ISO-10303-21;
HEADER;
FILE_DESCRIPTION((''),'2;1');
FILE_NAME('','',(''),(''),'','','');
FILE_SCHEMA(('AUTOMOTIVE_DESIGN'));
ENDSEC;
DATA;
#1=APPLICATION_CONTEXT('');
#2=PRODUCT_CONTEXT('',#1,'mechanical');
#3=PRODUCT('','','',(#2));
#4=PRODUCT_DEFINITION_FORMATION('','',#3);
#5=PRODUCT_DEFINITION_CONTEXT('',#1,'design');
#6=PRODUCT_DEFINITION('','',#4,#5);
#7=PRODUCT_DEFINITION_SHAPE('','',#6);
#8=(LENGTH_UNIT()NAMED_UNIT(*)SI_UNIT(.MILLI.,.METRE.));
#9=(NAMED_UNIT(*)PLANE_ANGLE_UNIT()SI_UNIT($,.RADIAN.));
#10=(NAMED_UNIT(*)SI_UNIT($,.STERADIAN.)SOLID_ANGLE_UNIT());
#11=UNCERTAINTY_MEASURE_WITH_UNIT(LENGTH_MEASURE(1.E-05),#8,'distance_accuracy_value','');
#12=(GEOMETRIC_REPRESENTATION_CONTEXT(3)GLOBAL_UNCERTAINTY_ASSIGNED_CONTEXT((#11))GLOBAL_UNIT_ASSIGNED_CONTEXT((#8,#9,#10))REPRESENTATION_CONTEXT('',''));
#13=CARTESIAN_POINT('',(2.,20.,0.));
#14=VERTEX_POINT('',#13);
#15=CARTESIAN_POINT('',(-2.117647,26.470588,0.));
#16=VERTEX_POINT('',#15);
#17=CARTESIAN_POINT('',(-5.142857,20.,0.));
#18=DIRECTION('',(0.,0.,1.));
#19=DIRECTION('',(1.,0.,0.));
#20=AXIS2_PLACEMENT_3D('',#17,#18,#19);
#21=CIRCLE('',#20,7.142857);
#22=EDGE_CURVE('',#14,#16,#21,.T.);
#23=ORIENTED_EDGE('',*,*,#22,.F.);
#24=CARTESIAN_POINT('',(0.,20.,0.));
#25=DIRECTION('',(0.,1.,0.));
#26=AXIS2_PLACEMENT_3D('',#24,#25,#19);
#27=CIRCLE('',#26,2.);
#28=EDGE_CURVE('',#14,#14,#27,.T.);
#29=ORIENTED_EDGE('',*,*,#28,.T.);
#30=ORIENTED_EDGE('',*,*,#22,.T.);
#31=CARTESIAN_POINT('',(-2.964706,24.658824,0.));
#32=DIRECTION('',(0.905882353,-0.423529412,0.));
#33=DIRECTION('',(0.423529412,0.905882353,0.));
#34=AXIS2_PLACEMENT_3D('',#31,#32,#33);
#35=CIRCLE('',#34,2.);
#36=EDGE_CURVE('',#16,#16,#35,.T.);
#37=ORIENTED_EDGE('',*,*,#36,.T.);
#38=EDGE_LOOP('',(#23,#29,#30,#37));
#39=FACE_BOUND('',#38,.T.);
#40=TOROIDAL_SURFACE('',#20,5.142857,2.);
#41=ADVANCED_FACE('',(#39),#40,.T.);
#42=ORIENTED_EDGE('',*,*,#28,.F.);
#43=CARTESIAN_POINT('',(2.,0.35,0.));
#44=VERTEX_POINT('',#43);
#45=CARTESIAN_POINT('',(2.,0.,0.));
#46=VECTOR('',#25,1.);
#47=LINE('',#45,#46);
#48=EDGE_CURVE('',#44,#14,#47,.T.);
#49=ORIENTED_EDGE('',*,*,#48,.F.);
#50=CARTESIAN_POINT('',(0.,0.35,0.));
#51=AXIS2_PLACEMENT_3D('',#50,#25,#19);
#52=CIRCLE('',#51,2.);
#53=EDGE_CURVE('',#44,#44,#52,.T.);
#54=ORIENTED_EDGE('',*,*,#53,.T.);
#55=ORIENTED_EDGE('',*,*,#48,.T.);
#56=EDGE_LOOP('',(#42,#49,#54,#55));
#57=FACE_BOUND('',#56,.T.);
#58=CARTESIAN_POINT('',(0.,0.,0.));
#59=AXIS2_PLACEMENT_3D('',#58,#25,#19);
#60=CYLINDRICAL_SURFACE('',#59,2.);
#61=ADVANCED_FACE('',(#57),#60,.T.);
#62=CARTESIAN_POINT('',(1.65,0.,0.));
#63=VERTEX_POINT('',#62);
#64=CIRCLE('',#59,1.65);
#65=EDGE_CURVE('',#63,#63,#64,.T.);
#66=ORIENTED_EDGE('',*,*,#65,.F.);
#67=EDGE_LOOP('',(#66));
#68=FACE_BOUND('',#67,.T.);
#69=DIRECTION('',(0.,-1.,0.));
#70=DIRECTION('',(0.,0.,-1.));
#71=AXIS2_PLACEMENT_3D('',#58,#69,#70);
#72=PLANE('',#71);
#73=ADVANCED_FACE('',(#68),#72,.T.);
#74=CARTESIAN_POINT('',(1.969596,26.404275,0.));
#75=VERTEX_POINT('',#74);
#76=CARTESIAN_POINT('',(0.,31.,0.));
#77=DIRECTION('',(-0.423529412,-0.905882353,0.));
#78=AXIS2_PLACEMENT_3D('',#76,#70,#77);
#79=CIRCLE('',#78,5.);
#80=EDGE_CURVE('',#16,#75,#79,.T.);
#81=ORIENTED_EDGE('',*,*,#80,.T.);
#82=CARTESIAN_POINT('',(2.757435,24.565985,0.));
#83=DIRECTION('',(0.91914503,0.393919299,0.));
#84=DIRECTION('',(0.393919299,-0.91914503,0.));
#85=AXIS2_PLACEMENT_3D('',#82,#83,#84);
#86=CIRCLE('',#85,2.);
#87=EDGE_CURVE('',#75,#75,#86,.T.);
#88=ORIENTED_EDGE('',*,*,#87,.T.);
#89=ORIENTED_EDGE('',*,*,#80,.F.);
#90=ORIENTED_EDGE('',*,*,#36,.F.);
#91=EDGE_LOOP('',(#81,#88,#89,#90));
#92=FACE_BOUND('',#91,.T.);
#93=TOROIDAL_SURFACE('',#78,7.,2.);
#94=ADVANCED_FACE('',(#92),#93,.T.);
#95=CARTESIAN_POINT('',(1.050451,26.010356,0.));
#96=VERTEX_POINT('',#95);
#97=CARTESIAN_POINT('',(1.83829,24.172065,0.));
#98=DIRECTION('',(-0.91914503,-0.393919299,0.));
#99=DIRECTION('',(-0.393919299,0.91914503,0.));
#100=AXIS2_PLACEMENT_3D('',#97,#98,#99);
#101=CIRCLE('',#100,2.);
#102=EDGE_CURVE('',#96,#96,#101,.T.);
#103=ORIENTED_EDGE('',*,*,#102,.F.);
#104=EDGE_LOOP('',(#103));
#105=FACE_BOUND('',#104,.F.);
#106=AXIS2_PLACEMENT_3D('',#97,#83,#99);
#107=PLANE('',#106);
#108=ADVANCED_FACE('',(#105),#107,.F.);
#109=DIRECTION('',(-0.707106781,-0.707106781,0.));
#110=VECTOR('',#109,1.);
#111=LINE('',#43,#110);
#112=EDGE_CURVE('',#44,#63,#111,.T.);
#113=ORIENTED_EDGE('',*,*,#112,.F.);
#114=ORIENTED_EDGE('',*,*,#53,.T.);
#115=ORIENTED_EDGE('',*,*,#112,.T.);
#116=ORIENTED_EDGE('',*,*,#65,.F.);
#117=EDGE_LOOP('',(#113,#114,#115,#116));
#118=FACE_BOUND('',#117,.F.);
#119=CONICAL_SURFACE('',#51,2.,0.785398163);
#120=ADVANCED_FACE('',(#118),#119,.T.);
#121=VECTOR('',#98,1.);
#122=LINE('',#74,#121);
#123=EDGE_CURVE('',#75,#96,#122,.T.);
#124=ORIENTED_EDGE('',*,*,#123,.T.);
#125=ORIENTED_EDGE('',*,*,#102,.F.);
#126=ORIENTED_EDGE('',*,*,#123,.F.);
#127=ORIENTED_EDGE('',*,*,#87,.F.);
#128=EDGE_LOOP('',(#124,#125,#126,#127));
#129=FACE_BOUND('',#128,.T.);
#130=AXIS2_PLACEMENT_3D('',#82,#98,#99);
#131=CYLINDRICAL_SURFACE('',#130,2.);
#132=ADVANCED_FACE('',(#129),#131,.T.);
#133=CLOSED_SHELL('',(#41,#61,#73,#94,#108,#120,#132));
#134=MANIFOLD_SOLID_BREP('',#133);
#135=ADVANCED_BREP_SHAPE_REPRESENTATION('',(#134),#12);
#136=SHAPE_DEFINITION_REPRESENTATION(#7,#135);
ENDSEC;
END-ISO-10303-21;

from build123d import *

# Parameters (mm, degrees)
F1_R    = 2
F3_SIZE = 0.35


with BuildPart() as f2:
    # F2: sweep along a path in F0
    with BuildLine(Plane.XY) as f2_path:
        Line((0, 0), (0, 20))
        ThreePointArc((0, 20), (-0.8040266345, 22.7610739599), (-2.9647058824, 24.6588235294))
        ThreePointArc((-2.9647058824, 24.6588235294), (0.1135563879, 37.9990788642), (2.7574350901, 24.5659847899))
        Line((2.7574350901, 24.5659847899), (1.83829006, 24.1720654913))
    # F1 (on Front) → F2 (sweep)
    with BuildSketch(Plane.XZ):
        Circle(F1_R)
    sweep(path=f2_path.line)

    # F3
    f3_edges = [f2.edges().sort_by_distance(p)[0] for p in [
        (-2, 0, 0),
    ]]
    chamfer(f3_edges, length=F3_SIZE)


solid = f2.part
